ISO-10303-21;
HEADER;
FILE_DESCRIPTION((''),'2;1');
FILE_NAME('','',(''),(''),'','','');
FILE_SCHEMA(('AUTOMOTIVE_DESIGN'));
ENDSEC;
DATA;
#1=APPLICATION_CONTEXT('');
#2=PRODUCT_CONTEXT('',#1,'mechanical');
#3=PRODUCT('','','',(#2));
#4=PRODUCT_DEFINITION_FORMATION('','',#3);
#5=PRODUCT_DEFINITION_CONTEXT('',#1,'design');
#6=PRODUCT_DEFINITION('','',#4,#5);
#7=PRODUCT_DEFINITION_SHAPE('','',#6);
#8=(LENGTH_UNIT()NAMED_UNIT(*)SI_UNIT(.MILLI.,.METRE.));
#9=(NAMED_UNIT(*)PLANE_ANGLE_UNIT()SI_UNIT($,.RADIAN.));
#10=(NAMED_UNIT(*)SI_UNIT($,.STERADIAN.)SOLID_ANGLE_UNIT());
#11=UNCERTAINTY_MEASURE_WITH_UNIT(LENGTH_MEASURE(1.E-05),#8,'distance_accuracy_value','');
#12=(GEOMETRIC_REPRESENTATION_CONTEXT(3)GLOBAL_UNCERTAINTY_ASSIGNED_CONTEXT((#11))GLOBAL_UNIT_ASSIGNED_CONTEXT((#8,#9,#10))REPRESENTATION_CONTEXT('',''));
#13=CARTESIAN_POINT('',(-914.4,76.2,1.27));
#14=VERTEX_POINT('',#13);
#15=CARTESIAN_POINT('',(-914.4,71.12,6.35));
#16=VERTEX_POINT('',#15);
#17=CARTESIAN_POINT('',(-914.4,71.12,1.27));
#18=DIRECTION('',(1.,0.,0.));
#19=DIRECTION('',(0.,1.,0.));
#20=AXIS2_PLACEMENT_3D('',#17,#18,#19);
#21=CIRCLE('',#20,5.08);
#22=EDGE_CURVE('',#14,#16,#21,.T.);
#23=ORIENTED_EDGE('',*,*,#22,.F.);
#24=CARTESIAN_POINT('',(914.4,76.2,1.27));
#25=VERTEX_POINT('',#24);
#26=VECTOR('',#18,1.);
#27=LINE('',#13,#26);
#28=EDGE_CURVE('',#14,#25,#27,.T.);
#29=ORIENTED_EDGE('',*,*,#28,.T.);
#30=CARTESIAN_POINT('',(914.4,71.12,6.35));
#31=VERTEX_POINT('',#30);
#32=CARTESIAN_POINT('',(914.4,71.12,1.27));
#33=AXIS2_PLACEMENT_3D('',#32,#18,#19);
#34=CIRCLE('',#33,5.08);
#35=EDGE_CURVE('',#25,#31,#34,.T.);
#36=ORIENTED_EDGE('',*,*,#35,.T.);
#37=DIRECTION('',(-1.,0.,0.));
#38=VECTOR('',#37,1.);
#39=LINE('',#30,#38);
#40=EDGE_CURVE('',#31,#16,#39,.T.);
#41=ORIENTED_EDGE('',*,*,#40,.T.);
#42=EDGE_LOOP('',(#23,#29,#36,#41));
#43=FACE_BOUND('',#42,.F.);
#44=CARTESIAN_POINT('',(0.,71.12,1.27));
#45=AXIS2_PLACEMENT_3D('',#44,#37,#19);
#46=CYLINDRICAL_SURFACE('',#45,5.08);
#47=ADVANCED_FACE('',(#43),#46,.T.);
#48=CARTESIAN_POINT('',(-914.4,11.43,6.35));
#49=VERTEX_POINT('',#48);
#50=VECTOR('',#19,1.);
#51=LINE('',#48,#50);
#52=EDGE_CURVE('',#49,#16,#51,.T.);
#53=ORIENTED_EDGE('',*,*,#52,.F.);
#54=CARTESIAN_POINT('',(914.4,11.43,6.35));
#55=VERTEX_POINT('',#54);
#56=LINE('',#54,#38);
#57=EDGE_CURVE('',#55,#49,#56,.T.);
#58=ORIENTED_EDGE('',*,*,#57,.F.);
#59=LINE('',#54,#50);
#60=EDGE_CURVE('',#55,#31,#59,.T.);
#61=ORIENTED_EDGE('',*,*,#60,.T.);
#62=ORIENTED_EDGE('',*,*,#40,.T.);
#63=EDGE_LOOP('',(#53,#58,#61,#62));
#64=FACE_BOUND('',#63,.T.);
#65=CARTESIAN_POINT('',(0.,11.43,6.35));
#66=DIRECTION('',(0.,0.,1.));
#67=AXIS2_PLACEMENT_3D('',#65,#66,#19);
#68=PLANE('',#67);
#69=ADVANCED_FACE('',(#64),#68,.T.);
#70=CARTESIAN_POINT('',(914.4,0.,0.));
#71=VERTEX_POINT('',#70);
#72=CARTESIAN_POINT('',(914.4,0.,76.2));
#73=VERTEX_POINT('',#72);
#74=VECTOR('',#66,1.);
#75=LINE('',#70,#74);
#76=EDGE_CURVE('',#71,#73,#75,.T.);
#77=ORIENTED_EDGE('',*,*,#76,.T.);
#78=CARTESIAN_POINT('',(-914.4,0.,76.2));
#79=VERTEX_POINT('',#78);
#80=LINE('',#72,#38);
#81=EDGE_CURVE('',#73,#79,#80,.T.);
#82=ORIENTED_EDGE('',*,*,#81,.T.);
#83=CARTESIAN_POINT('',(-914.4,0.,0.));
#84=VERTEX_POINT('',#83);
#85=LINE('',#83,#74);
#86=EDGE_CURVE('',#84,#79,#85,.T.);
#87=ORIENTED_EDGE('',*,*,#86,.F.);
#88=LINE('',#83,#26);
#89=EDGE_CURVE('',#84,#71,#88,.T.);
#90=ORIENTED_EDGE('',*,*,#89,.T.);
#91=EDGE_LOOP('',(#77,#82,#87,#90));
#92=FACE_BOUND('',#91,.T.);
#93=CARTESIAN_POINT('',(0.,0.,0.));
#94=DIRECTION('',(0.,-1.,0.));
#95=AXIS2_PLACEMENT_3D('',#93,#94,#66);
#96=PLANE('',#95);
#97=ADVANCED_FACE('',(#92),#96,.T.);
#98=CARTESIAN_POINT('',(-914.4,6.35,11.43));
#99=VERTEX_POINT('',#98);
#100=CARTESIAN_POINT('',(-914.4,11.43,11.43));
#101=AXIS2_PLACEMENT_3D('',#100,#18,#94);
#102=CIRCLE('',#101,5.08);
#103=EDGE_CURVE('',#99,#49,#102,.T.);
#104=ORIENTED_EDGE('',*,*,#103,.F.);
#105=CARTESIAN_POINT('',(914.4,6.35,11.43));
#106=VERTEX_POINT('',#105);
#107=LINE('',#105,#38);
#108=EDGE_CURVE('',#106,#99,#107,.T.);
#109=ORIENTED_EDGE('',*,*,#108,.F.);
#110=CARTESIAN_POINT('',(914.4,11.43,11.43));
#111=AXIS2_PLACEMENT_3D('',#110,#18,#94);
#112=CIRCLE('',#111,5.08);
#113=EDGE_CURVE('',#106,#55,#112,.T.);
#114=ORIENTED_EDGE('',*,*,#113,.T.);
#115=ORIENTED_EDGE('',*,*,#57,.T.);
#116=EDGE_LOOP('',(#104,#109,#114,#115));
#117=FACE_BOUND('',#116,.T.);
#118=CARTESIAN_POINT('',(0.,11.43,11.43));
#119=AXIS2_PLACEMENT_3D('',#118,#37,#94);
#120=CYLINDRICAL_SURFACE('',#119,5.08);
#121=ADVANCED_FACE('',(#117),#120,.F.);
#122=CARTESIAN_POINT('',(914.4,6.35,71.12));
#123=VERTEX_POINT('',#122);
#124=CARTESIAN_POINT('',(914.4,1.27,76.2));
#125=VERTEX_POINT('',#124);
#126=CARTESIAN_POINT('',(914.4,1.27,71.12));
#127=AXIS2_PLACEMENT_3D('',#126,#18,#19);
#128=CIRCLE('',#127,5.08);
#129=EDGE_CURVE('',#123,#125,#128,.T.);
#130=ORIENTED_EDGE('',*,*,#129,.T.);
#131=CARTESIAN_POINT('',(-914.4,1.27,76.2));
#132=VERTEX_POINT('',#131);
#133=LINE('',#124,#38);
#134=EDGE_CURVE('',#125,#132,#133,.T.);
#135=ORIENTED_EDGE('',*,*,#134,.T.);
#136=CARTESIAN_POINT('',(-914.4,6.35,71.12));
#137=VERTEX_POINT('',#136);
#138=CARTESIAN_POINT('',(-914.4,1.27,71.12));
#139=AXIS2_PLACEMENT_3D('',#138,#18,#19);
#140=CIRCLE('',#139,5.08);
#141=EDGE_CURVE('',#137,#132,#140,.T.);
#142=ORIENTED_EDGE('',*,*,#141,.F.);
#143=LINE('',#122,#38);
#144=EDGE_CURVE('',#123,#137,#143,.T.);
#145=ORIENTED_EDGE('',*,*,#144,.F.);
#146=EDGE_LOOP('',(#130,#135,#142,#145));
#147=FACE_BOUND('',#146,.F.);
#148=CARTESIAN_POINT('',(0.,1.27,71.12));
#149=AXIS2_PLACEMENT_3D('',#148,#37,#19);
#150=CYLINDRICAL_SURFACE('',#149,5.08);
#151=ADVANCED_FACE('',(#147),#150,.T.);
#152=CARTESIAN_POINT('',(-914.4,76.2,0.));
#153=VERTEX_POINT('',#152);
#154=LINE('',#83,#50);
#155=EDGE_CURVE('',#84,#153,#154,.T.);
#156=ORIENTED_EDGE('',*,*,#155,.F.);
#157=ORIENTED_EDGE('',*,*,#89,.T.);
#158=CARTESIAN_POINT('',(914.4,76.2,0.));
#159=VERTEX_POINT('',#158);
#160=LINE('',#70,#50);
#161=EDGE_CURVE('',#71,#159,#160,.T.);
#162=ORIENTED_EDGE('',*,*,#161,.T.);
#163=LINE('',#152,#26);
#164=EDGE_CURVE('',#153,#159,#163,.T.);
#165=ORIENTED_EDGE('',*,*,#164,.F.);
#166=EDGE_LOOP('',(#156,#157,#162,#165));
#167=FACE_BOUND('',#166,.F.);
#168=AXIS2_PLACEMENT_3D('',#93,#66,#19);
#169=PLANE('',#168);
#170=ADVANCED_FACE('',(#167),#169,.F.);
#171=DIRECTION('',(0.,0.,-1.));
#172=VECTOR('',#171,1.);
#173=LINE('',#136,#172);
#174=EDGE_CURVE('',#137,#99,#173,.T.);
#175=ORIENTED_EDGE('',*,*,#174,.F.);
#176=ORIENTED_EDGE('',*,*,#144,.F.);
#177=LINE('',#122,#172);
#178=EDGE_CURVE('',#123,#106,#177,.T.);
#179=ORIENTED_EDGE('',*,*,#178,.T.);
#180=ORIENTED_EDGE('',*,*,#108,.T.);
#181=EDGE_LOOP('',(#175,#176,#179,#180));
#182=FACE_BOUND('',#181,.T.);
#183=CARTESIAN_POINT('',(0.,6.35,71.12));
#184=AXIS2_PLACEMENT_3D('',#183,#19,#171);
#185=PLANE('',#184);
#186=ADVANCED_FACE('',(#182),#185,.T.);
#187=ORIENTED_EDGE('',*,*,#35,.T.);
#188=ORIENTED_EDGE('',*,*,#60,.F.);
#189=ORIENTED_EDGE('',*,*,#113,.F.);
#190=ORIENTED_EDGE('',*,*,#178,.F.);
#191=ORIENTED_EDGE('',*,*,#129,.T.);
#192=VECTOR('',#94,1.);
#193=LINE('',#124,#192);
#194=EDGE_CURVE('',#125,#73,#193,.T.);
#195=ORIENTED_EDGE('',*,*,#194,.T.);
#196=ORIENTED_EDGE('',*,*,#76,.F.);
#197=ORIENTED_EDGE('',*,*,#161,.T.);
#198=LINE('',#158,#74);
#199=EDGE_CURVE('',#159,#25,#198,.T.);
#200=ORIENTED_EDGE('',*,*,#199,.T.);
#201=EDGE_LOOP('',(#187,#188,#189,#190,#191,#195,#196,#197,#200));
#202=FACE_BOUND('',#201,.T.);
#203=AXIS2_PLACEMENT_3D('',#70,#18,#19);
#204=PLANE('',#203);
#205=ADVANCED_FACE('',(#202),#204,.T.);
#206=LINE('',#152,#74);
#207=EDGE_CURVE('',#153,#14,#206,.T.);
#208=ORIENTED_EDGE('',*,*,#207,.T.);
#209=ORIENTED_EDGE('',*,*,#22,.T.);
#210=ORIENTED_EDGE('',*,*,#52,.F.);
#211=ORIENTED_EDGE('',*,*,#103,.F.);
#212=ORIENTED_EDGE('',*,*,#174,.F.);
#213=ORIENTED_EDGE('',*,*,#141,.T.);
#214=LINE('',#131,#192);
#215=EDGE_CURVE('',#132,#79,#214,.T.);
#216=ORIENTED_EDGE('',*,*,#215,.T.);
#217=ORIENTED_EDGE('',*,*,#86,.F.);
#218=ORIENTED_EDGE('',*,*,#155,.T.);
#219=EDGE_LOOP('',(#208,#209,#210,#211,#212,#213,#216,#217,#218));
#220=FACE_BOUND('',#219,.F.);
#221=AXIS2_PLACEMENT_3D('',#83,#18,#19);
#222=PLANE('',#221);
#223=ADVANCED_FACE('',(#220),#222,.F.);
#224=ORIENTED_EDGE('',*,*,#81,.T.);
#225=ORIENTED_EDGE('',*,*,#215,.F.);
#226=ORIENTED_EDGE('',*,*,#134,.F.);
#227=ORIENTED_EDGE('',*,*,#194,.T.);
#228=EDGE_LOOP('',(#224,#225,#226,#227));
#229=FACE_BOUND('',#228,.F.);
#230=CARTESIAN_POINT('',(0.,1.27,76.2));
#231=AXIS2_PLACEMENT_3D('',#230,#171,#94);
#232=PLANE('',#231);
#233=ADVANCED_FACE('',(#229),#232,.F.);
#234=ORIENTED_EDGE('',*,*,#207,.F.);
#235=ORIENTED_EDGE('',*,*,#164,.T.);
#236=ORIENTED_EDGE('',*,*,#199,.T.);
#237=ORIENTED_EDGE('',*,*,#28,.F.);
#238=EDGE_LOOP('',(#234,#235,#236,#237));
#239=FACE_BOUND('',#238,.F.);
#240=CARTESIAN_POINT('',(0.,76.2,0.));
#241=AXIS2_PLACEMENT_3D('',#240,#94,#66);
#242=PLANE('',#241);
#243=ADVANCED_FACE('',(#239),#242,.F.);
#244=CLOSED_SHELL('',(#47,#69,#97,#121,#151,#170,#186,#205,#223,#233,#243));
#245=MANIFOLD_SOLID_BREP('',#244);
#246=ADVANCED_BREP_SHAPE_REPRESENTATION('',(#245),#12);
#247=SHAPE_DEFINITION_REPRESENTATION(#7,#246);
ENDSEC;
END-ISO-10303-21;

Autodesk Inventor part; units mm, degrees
ref_plane "YZ Plane" through (0, 0, 0) normal (1, 0, 0) x (0, 1, 0)
ref_plane "XZ Plane" through (0, 0, 0) normal (0, 1, 0) x (-1, 0, 0)
ref_plane "XY Plane" through (0, 0, 0) normal (0, 0, 1) x (1, 0, 0)
sketch "Sketch1" plane through (0, 0, 0) normal (1, 0, 0) x (0, 1, 0)
  line L0 (0, 0) -> (76.2, 0)
  line L1 (0, 0) -> (0, 76.2)
  arc A0 (6.35, 71.12) -> (1.27, 76.2) centre (1.27, 71.12) ccw
  arc A1 (76.2, 1.27) -> (71.12, 6.35) centre (71.12, 1.27) ccw
  line L2 (76.2, 0) -> (76.2, 1.27)
  line L3 (1.27, 76.2) -> (0, 76.2)
  arc A2 (6.35, 11.43) -> (11.43, 6.35) centre (11.43, 11.43) ccw
  line L4 (6.35, 71.12) -> (6.35, 11.43)
  line L5 (11.43, 6.35) -> (71.12, 6.35)
  dimension "d0" = 76.2
  dimension "d1" = 76.2
  dimension "d2" = 10.16
  dimension "d3" = 10.16
  dimension "d4" = 10.16
  dimension "d5" = 6.35
extrude "Extrusion1" add sketch "Sketch1" along normal mid plane 1828.8
properties part number "FE-110-001 Floor L Section" material "Aluminum 6061"
